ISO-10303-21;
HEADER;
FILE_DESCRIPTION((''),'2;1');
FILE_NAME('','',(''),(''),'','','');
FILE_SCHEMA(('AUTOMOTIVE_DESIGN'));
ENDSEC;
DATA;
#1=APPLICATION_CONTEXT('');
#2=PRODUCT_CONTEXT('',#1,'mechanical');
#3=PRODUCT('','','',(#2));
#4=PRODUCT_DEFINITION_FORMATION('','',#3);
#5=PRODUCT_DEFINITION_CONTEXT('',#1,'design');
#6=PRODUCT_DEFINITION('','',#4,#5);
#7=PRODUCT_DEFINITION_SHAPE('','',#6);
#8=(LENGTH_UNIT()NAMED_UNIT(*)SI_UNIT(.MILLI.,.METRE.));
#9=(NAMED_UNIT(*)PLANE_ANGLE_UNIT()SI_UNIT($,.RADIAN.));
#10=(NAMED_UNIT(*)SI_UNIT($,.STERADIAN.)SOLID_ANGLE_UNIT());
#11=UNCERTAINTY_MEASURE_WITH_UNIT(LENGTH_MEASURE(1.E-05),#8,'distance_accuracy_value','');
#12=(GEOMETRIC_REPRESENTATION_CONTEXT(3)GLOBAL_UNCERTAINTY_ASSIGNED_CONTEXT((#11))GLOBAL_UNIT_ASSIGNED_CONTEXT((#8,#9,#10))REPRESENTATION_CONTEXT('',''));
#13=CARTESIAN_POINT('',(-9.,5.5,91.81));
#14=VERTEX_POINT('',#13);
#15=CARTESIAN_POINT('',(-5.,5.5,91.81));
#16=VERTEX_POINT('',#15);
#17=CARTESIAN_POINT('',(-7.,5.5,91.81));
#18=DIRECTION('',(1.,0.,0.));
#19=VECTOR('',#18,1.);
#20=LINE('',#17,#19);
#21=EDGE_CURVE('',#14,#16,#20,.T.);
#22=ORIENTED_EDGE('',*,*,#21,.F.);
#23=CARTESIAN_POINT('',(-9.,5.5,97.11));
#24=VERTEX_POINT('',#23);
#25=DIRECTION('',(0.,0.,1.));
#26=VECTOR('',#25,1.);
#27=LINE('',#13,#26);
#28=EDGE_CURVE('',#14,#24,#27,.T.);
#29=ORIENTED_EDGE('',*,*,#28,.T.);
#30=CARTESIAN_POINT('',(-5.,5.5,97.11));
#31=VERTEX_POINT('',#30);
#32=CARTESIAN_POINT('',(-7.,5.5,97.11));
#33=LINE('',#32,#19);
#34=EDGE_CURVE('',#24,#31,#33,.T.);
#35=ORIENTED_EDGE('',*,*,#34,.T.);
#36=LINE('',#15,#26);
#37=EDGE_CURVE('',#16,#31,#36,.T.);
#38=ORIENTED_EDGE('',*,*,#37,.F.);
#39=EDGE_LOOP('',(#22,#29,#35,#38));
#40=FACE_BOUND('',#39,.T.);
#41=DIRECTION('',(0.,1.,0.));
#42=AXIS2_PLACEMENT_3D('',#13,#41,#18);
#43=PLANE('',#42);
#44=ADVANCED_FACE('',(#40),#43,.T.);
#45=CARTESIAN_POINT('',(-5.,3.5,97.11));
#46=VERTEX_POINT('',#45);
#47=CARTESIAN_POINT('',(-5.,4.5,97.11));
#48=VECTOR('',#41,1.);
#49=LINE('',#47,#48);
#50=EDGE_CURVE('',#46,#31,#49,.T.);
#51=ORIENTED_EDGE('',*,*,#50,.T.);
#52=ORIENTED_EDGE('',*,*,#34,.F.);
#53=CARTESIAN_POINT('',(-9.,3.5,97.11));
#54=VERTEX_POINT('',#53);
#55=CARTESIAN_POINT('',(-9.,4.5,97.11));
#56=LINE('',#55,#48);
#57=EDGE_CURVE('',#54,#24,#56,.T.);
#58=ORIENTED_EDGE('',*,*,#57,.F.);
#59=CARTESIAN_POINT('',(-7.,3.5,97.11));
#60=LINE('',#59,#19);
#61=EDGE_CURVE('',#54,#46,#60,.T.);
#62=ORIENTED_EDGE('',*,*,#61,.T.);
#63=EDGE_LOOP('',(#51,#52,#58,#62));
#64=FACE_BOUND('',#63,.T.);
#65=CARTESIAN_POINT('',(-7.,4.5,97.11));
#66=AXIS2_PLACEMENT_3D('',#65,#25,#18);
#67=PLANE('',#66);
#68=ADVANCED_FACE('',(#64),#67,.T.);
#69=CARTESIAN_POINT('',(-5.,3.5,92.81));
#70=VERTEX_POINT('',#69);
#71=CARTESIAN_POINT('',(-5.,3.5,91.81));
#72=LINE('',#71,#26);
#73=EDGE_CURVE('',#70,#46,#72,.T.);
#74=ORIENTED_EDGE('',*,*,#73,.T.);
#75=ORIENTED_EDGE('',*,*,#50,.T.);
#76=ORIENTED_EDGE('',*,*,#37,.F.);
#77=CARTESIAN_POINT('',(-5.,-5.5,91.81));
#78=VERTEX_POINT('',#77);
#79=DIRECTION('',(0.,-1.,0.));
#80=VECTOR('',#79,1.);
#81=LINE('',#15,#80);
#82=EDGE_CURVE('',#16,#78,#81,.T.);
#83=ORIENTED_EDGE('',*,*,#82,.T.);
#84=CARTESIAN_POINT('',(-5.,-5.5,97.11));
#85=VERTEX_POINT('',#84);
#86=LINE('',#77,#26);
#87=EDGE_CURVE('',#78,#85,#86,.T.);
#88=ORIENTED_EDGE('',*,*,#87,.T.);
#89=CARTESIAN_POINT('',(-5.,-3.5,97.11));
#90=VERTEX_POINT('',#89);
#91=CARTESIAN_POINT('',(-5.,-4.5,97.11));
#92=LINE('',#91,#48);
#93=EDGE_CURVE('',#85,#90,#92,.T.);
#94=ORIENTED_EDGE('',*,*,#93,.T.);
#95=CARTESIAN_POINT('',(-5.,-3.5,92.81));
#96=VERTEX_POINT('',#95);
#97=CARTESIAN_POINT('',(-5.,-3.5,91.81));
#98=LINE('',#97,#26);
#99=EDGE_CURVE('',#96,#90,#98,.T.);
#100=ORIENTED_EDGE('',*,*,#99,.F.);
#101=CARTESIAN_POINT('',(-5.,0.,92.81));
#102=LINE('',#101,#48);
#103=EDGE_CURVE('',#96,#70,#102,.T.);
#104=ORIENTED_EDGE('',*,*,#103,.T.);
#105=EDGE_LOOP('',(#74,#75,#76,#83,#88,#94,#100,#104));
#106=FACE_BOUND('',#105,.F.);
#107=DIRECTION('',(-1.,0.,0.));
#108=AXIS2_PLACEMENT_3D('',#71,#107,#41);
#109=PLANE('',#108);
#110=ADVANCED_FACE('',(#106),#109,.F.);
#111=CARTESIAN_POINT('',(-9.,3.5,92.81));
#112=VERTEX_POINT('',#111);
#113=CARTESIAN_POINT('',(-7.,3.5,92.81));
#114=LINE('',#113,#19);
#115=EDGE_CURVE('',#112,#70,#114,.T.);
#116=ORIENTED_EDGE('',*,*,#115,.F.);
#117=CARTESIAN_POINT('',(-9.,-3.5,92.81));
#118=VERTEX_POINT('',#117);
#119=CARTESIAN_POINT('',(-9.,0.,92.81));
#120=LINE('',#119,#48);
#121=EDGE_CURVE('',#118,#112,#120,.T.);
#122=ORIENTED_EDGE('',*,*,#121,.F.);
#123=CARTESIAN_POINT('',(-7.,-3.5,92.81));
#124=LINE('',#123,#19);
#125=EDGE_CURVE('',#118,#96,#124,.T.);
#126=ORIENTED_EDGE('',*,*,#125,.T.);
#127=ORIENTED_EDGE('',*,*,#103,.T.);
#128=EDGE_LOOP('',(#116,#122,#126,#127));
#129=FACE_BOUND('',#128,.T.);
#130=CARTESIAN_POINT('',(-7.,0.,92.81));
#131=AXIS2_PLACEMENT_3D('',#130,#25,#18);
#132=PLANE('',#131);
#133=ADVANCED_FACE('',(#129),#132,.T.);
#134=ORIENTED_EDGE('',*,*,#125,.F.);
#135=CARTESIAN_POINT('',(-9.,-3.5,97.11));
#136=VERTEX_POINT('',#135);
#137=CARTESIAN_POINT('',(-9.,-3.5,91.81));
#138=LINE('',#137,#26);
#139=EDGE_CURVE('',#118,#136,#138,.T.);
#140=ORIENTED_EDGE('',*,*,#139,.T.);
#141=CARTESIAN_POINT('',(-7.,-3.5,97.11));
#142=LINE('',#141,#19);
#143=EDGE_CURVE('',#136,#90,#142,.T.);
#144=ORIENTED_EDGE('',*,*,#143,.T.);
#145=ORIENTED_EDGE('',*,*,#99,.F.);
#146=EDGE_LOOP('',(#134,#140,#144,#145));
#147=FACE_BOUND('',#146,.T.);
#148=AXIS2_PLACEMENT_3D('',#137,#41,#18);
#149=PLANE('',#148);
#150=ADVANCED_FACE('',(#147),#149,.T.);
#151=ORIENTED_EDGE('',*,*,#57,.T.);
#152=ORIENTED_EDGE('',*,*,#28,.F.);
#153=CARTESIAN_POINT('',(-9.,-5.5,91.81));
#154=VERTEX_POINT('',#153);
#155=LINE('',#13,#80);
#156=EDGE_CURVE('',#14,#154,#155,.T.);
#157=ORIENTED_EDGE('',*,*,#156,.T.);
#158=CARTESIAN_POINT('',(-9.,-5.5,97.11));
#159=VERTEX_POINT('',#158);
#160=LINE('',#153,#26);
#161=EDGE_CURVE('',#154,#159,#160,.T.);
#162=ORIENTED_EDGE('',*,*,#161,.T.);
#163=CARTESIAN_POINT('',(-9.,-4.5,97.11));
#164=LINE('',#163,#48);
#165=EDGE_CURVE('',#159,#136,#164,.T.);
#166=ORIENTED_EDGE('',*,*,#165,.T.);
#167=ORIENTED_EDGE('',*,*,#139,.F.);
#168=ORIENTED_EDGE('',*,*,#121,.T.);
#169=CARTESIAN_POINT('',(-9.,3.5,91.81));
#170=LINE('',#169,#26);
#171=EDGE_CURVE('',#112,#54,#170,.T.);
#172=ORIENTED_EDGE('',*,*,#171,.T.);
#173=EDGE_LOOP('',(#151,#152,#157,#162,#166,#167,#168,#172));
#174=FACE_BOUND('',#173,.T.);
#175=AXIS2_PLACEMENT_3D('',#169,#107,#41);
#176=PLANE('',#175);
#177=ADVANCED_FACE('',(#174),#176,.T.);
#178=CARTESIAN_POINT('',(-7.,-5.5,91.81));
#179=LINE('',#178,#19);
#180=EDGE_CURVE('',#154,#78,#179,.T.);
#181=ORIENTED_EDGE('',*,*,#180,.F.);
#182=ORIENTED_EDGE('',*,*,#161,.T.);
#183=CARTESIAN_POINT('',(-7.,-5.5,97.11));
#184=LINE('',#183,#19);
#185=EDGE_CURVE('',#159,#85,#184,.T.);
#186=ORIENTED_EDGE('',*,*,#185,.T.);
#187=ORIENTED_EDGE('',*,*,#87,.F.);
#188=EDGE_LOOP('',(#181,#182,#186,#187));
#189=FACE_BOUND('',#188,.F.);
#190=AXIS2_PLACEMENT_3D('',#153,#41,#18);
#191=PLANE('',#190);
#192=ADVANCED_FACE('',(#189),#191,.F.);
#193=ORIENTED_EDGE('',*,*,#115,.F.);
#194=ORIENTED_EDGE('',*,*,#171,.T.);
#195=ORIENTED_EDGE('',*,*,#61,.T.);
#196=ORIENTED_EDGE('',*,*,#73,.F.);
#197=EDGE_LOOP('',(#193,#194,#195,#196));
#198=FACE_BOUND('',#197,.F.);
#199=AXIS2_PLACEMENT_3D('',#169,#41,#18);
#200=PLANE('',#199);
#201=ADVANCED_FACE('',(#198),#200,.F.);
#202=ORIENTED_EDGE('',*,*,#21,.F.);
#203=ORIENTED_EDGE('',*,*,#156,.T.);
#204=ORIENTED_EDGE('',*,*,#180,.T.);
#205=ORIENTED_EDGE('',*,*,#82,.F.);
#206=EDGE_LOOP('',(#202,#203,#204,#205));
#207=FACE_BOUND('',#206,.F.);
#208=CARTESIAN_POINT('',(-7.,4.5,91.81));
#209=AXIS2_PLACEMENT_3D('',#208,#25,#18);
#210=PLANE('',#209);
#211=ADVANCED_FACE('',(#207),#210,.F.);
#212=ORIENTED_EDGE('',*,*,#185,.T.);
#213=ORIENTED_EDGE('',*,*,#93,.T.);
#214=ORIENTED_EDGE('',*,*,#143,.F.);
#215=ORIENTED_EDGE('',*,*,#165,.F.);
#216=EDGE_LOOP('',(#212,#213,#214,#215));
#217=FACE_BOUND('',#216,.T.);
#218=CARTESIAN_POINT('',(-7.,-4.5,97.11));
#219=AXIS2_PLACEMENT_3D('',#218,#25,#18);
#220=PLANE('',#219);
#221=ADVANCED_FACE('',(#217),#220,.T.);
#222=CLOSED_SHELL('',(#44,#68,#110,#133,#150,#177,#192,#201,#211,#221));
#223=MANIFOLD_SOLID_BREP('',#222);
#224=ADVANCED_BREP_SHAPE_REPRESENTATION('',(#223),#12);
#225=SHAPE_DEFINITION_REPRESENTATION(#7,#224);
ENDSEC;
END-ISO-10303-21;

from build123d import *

# Parameters (mm, degrees)
BOX002_W     = 4
BOX002_H     = 7
BOX002_DEPTH = 1
BOX007_W     = 4
BOX007_H     = 2
BOX007_DEPTH = 5.3
BOX003_W     = 4
BOX003_H     = 2
BOX003_DEPTH = 5.3


with BuildPart() as cubo003:
    # Box002 → Box002 (new body)
    with BuildSketch(Plane(origin=(0, 1, 0), x_dir=(1, 0, 0), z_dir=(0, 0, 1))):
        with Locations((2, 3.5)):
            Rectangle(BOX002_W, BOX002_H)
    extrude(amount=BOX002_DEPTH)


with BuildPart() as cubo006:
    # Box007 → Box007 (new body)
    with BuildSketch(Plane(origin=(0, 8, 0), x_dir=(1, 0, 0), z_dir=(0, 0, 1))):
        with Locations((2, 1)):
            Rectangle(BOX007_W, BOX007_H)
    extrude(amount=BOX007_DEPTH)


with BuildPart() as bridge:
    # Box003 → Box003 (new body)
    with BuildSketch(Plane(origin=(0, -1, 0), x_dir=(1, 0, 0), z_dir=(0, 0, 1))):
        with Locations((2, 1)):
            Rectangle(BOX003_W, BOX003_H)
    extrude(amount=BOX003_DEPTH)

    # Fusion007: union Cubo003, Cubo006
    add(cubo003.part)
    add(cubo006.part)


with BuildPart() as bridge_1:
    # Fusion007 placement: moved
    add(bridge.part.moved(Location((-9, -4.5, 91.81))))


solid = bridge_1.part
